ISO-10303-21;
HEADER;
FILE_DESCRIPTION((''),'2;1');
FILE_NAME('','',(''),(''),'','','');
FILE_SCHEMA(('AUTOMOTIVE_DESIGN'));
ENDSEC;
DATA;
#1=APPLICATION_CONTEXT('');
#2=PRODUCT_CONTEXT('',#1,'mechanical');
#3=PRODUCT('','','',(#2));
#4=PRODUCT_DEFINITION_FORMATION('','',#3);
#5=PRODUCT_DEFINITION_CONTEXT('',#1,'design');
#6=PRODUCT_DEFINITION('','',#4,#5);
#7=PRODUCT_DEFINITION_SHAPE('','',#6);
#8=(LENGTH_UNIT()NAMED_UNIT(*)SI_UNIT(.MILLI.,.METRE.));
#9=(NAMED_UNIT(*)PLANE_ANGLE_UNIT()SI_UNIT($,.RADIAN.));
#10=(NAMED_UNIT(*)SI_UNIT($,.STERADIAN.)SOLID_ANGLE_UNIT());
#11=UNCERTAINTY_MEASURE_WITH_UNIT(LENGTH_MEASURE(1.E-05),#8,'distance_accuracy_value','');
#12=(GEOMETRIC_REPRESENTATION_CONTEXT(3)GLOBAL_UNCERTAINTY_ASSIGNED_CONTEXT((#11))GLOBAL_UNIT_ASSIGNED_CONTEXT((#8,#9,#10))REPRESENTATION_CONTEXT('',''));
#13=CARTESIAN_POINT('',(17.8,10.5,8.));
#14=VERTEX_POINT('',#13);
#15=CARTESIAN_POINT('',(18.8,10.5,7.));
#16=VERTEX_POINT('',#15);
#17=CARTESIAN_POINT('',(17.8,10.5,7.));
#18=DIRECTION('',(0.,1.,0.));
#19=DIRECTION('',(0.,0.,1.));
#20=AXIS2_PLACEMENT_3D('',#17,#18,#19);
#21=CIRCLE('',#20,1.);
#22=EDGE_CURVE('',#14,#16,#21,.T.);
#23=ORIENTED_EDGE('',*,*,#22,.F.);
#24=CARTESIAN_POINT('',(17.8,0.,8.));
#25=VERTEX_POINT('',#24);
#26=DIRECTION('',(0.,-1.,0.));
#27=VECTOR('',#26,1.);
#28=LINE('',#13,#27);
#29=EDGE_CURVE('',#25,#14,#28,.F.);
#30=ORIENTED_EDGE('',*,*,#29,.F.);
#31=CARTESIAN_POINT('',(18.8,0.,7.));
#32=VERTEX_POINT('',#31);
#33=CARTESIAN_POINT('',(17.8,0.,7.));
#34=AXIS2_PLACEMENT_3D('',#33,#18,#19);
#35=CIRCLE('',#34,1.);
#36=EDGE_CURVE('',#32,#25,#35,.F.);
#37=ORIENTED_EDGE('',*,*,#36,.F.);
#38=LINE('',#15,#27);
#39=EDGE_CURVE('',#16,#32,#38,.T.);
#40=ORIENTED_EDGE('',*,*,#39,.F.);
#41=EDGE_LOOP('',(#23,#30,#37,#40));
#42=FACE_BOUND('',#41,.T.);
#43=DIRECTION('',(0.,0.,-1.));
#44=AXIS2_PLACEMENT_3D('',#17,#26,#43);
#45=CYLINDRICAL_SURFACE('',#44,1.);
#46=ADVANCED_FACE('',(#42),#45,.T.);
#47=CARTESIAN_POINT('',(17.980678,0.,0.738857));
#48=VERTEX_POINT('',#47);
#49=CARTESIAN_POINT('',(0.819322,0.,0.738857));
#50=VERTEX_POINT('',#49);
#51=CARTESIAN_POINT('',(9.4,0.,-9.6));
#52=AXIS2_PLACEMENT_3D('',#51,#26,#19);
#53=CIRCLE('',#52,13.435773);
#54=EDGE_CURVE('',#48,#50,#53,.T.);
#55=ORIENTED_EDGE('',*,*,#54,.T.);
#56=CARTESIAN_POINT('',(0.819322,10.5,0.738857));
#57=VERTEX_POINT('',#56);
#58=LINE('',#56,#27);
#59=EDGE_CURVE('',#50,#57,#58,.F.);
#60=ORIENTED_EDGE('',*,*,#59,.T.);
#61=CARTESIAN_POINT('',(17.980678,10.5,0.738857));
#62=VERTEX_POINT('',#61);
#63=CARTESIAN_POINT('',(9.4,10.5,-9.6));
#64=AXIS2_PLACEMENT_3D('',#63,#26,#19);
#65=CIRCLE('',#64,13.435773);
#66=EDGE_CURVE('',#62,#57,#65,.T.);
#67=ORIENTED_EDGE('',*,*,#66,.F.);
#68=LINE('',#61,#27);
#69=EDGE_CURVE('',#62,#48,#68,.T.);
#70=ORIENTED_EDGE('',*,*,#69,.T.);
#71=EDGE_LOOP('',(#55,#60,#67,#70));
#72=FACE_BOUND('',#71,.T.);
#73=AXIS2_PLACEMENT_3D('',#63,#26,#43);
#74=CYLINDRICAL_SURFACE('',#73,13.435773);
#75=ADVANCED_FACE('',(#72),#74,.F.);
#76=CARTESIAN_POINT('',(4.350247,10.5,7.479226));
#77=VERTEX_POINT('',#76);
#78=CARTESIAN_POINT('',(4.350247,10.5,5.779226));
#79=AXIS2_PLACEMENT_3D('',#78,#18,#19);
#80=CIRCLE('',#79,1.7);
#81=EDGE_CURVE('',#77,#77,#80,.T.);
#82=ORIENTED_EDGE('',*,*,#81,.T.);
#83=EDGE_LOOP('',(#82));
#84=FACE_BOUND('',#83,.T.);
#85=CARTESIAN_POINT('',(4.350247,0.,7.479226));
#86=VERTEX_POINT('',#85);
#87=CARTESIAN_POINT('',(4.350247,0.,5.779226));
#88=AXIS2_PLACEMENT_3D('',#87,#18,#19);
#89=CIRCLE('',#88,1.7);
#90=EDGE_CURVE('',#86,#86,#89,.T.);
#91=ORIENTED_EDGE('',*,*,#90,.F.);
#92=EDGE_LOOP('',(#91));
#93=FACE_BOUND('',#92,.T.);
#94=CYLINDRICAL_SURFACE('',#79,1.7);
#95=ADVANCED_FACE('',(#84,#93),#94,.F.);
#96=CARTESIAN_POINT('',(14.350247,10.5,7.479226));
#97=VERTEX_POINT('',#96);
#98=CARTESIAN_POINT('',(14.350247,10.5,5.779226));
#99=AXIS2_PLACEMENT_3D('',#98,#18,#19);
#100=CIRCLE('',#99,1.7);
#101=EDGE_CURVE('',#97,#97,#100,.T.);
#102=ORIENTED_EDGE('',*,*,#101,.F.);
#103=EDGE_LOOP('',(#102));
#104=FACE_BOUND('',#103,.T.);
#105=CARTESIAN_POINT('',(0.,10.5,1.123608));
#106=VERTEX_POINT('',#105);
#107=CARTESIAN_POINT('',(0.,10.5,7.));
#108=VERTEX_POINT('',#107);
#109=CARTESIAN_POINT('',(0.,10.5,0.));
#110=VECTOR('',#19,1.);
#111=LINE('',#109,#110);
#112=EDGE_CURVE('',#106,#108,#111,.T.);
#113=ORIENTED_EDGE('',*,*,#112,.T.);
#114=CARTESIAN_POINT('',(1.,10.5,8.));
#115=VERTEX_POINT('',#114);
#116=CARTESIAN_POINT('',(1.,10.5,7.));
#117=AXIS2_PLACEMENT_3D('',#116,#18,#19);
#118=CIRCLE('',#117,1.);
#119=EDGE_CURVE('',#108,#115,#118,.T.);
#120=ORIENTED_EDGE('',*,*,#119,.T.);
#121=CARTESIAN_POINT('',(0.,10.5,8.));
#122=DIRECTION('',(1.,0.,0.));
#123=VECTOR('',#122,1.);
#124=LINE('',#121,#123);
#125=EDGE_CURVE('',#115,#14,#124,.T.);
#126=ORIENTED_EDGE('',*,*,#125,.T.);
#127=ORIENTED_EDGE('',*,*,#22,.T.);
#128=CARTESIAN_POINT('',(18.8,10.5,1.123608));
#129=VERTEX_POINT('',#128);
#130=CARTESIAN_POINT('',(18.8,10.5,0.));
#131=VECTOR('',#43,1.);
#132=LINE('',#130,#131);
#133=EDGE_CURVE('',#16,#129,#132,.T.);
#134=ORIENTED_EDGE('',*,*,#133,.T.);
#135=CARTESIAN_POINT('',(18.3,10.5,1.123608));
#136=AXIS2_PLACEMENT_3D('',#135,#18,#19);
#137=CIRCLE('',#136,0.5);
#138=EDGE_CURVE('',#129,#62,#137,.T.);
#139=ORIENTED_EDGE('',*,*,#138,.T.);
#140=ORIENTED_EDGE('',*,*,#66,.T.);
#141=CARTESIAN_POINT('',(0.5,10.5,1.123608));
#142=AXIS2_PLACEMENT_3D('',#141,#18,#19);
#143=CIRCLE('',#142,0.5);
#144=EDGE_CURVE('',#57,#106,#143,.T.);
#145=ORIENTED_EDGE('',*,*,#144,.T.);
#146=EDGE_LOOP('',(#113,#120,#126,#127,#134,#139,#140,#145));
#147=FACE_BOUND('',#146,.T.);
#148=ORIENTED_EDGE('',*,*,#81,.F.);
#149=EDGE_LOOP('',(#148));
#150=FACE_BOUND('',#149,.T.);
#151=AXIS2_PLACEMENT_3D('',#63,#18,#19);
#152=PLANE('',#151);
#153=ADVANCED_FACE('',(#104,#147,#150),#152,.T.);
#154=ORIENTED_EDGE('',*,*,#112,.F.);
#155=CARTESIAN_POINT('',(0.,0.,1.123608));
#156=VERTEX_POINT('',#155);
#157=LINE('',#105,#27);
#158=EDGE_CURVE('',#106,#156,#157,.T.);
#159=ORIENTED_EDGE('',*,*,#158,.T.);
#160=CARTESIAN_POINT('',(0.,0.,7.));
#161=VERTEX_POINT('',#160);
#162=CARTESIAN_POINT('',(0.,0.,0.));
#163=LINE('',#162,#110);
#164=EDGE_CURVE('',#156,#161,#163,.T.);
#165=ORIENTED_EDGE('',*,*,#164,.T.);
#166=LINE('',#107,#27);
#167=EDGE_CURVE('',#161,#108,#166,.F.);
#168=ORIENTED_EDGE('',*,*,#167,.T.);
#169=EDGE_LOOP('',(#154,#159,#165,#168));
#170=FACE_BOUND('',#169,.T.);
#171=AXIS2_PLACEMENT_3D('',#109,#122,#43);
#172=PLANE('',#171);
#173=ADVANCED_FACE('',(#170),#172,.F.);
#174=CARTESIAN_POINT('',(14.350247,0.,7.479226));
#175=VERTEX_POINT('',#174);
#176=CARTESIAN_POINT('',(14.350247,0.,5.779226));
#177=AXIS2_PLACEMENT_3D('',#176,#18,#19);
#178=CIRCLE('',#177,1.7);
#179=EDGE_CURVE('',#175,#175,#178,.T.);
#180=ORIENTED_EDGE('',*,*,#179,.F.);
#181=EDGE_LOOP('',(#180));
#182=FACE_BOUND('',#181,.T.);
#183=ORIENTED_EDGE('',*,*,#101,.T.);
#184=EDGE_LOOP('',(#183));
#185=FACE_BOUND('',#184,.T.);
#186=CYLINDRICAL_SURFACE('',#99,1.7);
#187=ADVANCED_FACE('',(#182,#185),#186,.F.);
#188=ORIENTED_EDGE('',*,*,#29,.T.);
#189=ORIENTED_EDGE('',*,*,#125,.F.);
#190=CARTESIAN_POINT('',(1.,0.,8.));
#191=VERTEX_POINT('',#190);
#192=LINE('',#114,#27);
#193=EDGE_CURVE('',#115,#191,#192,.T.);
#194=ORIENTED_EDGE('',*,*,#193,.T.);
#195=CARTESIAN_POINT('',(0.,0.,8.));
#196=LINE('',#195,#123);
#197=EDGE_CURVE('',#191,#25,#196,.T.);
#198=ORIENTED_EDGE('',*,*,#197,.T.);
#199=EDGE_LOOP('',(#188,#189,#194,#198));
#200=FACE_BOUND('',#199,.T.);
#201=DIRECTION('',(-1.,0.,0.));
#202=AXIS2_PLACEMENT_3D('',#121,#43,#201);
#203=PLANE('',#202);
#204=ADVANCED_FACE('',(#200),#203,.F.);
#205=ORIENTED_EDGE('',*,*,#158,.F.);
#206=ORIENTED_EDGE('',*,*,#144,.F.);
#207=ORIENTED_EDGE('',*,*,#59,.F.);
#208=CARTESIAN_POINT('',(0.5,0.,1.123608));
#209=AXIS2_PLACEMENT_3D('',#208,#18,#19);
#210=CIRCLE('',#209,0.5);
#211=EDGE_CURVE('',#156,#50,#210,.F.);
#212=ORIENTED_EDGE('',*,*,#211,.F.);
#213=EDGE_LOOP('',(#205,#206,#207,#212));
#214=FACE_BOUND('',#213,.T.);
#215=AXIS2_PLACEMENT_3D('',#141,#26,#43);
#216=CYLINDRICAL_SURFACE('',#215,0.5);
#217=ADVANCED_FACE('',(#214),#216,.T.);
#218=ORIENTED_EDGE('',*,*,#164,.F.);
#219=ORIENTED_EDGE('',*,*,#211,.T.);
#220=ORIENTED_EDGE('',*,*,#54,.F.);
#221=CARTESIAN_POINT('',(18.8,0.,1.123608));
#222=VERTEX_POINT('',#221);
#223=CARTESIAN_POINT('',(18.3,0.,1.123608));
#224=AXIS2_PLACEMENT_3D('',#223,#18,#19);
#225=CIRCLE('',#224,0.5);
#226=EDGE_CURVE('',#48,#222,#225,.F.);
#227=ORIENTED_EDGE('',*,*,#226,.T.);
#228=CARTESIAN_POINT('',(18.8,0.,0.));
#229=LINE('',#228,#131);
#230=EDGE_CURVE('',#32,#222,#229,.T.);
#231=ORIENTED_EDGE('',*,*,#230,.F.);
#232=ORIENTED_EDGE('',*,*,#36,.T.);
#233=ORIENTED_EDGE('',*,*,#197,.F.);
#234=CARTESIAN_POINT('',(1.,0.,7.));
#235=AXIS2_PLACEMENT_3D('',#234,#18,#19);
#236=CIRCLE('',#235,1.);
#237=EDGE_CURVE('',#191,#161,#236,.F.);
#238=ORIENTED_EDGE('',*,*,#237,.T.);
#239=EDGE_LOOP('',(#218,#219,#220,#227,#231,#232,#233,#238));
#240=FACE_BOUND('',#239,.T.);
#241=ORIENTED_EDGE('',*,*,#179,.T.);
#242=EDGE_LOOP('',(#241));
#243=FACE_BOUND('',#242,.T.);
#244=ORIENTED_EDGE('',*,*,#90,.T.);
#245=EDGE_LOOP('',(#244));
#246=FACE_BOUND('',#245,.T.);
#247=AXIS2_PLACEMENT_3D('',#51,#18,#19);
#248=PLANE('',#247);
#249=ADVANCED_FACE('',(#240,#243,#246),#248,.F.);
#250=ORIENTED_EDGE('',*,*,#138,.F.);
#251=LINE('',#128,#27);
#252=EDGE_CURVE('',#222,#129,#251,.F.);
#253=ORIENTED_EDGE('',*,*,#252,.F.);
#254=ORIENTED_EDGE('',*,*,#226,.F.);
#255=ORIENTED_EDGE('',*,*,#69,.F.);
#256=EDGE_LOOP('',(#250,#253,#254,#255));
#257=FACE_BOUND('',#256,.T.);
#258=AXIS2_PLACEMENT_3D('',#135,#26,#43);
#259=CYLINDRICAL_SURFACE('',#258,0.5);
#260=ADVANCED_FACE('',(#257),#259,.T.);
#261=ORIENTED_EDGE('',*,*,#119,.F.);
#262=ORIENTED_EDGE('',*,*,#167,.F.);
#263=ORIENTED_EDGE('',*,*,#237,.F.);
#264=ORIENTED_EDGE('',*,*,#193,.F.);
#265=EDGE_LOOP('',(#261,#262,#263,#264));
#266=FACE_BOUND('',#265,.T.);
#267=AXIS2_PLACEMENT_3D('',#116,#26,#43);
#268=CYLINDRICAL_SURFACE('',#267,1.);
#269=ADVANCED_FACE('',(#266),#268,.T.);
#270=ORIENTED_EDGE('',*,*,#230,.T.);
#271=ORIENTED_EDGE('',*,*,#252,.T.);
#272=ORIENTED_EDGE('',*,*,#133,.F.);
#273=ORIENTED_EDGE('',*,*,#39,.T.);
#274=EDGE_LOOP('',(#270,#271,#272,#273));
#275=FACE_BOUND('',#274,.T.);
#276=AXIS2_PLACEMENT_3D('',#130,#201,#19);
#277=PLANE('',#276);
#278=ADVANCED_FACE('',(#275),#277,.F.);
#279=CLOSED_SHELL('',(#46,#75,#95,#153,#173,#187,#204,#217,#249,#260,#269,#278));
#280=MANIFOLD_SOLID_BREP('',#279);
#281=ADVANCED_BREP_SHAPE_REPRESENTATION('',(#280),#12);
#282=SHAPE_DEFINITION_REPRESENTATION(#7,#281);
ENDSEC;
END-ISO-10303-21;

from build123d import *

# Parameters (mm, degrees)
EXTRUDE_1_DEPTH   = 10.5
FILLET_1_R        = 1
HOLE_WIZARD_M31_D = 3.4
FILLET_2_R        = 0.5


with BuildPart() as part:
    # Эскиз1 → Бобышка-Вытянуть1 (new body)
    with BuildSketch(Plane(origin=(0, 0, 0), x_dir=(1, 0, 0), z_dir=(0, 1, 0))):
        with BuildLine():
            Line((0, 0), (0, -8))
            Line((0, -8), (18.8, -8))
            Line((18.8, -8), (18.8, 0))
            ThreePointArc((18.8, 0), (9.4, -3.835773145), (0, 0))
        make_face()
    extrude(amount=EXTRUDE_1_DEPTH)

    # Скругление1
    fillet_1_edges = [part.edges().sort_by_distance(p)[0] for p in [
        (18.8, 5.25, 8),
        (0, 5.25, 8),
    ]]
    fillet(fillet_1_edges, radius=FILLET_1_R)

    # Отверстие с зазором M31 (through all)
    with Locations(Plane(origin=(0, 10.5, 0), x_dir=(1, 0, 0), z_dir=(0, 1, 0))):
        with Locations((4.350247301, -5.779226371), (14.350247301, -5.779226371)):
            Hole(HOLE_WIZARD_M31_D / 2)

    # Скругление2
    fillet_2_edges = [part.edges().sort_by_distance(p)[0] for p in [
        (18.8, 5.25, 0),
        (0, 5.25, 0),
    ]]
    fillet(fillet_2_edges, radius=FILLET_2_R)


solid = part.part
